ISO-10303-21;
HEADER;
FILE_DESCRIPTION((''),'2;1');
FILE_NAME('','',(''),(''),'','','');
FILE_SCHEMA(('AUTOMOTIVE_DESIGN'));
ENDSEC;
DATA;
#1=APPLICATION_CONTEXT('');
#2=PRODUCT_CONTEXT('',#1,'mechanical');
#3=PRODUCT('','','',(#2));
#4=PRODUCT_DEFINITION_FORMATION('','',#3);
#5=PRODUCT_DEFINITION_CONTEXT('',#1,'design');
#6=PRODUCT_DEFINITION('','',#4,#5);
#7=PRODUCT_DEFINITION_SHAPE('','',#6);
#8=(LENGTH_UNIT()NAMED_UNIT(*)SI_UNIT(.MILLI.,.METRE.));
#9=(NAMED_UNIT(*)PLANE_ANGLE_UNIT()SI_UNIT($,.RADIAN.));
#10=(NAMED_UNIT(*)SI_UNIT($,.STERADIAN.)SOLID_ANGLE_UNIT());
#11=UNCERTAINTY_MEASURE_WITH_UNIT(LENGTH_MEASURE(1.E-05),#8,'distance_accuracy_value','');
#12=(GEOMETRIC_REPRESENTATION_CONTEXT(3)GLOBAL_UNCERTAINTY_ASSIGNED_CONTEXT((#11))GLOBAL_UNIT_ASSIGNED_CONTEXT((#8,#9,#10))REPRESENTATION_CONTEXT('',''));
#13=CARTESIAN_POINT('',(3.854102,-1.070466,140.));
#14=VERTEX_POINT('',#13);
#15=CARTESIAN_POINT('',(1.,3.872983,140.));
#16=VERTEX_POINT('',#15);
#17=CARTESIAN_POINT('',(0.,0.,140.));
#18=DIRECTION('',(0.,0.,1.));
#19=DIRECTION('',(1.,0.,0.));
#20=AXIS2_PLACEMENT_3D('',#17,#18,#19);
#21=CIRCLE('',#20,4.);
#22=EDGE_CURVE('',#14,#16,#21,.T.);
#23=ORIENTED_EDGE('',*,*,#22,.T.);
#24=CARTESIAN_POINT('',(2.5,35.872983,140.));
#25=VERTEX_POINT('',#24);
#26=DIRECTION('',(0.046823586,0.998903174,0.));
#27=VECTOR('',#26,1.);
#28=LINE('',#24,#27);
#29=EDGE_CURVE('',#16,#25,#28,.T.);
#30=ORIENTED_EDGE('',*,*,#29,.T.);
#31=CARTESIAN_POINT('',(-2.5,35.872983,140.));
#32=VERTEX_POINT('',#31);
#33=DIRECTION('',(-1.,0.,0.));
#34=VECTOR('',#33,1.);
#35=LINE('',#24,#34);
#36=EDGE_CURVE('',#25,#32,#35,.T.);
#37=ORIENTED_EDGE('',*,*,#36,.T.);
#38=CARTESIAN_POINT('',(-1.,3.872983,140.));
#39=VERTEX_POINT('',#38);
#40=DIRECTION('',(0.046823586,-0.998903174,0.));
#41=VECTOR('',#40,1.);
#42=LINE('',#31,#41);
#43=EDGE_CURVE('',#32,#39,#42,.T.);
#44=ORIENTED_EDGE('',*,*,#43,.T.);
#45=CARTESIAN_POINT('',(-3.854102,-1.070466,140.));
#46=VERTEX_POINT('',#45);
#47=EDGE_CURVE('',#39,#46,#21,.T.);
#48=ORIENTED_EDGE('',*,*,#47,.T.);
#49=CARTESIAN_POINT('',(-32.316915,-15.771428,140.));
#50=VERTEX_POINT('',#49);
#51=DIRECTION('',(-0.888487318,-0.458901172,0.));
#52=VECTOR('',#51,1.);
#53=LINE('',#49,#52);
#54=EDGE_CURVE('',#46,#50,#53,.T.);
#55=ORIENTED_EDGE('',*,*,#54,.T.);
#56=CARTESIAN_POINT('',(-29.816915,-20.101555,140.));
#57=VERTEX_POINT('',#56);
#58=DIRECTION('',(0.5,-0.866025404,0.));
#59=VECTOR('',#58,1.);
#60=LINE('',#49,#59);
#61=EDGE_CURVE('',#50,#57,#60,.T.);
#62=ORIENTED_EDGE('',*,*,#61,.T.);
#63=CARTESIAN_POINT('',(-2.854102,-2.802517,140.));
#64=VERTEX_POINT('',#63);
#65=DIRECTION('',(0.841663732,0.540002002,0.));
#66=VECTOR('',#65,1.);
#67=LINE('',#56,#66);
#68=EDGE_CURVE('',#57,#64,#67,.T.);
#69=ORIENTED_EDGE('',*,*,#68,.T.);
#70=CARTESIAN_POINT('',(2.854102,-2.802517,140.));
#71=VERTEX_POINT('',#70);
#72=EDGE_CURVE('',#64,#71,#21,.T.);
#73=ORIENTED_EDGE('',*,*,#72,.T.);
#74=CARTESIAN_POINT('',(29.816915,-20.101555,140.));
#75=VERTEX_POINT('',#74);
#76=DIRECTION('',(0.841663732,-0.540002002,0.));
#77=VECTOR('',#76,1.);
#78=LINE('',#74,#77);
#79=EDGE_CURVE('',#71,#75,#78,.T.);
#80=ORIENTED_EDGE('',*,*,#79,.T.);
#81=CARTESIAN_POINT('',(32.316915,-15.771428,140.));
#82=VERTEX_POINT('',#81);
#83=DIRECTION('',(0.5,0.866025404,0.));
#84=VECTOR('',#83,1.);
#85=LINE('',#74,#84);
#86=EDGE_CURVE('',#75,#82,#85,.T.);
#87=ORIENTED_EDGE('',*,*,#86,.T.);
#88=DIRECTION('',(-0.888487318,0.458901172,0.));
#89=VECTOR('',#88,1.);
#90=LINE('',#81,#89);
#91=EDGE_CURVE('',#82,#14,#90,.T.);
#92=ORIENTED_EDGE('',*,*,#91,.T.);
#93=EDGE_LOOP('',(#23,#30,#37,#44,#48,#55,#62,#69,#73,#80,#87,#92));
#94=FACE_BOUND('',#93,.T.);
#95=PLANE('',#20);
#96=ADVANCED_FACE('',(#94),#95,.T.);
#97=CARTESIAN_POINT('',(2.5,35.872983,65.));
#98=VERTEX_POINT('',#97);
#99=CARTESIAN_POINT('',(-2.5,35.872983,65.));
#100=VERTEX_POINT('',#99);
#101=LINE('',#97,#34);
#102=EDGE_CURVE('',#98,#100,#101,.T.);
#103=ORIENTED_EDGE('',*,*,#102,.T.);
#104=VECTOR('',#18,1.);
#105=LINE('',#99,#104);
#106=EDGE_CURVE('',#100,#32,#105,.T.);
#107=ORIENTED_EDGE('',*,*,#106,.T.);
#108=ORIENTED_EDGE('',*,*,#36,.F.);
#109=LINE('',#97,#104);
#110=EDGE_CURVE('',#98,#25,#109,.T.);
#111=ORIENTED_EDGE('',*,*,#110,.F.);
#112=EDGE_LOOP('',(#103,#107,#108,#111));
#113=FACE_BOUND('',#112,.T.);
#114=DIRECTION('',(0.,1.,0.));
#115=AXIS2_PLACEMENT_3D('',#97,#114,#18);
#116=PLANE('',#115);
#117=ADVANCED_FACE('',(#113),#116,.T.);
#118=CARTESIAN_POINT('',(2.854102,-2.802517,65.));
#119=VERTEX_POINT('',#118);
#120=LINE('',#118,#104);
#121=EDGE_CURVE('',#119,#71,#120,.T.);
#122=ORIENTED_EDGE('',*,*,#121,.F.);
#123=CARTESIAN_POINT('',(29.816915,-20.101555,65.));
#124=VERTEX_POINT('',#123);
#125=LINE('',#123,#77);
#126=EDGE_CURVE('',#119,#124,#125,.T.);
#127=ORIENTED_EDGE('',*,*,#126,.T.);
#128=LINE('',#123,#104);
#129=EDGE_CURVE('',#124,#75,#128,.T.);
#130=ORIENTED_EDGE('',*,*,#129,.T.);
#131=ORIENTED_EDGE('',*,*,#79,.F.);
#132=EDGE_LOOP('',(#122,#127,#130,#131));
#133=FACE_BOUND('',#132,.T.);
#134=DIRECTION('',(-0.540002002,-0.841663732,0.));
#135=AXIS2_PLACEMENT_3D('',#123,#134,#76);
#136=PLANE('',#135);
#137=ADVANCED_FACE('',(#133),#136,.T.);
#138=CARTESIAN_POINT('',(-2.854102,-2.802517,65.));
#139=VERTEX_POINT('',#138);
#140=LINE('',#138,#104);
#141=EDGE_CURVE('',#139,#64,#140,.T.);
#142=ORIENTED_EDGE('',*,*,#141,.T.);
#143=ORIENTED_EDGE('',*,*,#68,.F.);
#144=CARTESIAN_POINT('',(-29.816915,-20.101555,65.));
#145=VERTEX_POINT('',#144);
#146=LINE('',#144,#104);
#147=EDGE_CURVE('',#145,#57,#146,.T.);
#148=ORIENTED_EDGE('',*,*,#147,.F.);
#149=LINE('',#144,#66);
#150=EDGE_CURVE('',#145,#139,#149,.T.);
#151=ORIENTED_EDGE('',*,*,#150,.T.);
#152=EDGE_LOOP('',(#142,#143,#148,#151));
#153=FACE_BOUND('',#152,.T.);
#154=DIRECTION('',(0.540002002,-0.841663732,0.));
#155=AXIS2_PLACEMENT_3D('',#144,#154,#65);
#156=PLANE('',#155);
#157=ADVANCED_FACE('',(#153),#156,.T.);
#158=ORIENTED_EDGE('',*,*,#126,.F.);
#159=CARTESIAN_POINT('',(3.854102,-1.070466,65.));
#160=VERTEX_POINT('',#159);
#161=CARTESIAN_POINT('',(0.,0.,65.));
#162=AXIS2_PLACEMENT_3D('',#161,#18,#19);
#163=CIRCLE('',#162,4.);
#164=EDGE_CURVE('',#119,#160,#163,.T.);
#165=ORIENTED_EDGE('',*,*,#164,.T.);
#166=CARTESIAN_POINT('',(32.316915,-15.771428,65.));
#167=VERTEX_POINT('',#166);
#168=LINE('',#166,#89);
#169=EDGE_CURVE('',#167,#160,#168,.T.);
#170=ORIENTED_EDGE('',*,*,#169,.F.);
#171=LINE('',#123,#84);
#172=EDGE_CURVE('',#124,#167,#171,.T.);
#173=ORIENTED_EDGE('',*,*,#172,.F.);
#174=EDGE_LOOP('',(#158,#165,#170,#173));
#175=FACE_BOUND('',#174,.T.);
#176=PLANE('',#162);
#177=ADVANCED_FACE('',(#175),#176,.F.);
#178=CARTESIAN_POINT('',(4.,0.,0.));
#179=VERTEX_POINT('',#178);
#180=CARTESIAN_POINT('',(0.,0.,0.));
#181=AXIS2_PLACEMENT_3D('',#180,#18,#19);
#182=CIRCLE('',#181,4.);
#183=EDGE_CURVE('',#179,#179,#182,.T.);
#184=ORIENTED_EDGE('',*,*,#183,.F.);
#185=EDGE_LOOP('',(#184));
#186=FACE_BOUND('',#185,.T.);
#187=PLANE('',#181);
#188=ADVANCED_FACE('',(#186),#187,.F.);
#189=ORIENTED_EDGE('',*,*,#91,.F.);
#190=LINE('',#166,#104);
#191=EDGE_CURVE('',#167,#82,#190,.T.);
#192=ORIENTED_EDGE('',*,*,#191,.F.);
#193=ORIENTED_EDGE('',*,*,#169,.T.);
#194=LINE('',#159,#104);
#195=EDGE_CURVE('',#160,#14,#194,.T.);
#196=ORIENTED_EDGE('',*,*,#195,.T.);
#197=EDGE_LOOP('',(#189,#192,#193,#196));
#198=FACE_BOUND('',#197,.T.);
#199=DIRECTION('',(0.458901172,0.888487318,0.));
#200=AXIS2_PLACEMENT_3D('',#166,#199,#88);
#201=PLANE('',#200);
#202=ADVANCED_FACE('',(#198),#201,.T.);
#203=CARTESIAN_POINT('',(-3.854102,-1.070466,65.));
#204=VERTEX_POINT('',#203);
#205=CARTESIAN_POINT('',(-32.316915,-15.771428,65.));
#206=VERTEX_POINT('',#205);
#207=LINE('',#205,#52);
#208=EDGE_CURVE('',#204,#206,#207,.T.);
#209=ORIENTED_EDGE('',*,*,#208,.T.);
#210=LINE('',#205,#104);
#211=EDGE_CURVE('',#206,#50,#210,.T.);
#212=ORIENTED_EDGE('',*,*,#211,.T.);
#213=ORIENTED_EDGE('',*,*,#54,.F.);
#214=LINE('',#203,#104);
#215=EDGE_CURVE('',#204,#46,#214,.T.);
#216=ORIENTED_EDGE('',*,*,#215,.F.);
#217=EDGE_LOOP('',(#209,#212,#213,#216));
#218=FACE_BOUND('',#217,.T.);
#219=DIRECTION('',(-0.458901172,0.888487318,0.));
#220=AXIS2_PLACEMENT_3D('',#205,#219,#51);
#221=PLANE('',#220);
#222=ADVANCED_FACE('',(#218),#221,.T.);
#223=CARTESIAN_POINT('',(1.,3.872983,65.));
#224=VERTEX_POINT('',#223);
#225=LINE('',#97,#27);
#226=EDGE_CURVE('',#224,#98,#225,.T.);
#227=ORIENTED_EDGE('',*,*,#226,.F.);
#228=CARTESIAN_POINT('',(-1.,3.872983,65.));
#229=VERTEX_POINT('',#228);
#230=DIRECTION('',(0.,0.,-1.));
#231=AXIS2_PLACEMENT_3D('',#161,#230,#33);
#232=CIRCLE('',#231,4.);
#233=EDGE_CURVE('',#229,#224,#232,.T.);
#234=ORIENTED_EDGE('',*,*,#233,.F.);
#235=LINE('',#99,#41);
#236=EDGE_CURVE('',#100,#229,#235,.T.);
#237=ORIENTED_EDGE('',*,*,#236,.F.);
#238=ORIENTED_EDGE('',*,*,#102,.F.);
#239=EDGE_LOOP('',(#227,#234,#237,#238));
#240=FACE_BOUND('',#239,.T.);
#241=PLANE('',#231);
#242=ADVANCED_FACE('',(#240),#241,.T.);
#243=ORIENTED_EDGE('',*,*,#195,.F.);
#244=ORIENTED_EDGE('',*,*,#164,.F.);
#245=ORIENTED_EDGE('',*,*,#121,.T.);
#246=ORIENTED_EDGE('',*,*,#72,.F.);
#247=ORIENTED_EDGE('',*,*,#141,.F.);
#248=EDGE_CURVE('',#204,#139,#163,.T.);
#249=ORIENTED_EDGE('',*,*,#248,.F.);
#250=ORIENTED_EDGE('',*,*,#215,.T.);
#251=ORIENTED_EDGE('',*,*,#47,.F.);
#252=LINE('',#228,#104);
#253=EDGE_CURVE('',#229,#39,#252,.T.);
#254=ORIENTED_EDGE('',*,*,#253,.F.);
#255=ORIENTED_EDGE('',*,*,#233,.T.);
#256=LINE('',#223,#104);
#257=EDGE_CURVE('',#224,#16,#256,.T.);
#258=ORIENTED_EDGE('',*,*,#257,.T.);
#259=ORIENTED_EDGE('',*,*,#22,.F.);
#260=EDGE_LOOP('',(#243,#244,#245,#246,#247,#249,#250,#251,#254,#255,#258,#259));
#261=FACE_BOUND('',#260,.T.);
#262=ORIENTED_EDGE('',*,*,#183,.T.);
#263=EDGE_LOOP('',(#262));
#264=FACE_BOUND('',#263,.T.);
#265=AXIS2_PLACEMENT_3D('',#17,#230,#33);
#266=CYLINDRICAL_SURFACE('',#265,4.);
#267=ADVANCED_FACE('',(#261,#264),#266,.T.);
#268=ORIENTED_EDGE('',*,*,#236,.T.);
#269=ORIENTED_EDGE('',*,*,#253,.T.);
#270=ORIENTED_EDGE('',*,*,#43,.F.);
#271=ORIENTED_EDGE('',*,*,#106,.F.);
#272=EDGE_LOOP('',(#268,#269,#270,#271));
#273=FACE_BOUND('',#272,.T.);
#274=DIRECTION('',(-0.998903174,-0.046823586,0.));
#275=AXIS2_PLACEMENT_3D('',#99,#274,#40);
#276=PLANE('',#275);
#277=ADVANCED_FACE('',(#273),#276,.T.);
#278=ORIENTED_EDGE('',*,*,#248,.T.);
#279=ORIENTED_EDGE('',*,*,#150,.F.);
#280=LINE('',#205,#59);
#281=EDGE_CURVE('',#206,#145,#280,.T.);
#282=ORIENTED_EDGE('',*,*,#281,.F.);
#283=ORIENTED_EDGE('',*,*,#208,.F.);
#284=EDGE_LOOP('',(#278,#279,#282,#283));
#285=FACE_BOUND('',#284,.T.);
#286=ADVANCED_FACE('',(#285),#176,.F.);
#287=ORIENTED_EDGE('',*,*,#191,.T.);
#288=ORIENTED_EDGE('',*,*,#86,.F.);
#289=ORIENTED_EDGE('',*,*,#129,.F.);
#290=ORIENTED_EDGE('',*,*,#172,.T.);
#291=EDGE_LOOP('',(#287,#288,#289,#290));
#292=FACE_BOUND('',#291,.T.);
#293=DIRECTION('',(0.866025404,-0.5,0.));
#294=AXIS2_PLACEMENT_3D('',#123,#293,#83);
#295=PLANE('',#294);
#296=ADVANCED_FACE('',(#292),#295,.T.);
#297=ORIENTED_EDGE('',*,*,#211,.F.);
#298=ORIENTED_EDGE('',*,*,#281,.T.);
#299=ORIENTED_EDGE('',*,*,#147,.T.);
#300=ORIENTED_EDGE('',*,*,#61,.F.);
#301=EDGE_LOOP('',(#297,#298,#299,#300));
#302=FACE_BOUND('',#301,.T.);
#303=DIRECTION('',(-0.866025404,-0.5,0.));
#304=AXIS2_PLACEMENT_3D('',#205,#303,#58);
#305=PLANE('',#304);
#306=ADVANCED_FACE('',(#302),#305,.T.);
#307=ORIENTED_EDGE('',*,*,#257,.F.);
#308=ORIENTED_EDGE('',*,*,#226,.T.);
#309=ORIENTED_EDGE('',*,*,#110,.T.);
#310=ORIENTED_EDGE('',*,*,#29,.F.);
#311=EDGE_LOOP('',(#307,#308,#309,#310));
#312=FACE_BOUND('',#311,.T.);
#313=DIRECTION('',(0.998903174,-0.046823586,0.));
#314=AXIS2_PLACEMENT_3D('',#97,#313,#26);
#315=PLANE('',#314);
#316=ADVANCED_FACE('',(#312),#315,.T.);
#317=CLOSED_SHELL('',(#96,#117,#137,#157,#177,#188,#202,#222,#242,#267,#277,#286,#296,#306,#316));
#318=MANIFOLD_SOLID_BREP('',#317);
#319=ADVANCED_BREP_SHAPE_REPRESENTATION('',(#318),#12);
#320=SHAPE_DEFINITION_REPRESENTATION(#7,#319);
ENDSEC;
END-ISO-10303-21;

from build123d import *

# Parameters (mm, degrees)
SKETCH1_R           = 4
BOSS_EXTRUDE1_DEPTH = 140
BOSS_EXTRUDE2_DEPTH = 75


with BuildPart() as part:
    # Sketch1 → Boss-Extrude1 (new body)
    with BuildSketch(Plane.XY):
        Circle(SKETCH1_R)
    extrude(amount=BOSS_EXTRUDE1_DEPTH)

    # Sketch2 → Boss-Extrude2 (add)
    with BuildSketch(Plane.XY.offset(140)):
        Polygon((2.5, 35.872983346), (-2.5, 35.872983346), (-1, 3.872983346), (1, 3.872983346), align=None)
        Polygon((32.316914887, -15.771428164), (3.854101966, -1.070466269), (2.854101966, -2.802517077), (29.816914887, -20.101555183), align=None)
        Polygon((-29.816914887, -20.101555183), (-2.854101966, -2.802517077), (-3.854101966, -1.070466269), (-32.316914887, -15.771428164), align=None)
    extrude(amount=-BOSS_EXTRUDE2_DEPTH)


solid = part.part
